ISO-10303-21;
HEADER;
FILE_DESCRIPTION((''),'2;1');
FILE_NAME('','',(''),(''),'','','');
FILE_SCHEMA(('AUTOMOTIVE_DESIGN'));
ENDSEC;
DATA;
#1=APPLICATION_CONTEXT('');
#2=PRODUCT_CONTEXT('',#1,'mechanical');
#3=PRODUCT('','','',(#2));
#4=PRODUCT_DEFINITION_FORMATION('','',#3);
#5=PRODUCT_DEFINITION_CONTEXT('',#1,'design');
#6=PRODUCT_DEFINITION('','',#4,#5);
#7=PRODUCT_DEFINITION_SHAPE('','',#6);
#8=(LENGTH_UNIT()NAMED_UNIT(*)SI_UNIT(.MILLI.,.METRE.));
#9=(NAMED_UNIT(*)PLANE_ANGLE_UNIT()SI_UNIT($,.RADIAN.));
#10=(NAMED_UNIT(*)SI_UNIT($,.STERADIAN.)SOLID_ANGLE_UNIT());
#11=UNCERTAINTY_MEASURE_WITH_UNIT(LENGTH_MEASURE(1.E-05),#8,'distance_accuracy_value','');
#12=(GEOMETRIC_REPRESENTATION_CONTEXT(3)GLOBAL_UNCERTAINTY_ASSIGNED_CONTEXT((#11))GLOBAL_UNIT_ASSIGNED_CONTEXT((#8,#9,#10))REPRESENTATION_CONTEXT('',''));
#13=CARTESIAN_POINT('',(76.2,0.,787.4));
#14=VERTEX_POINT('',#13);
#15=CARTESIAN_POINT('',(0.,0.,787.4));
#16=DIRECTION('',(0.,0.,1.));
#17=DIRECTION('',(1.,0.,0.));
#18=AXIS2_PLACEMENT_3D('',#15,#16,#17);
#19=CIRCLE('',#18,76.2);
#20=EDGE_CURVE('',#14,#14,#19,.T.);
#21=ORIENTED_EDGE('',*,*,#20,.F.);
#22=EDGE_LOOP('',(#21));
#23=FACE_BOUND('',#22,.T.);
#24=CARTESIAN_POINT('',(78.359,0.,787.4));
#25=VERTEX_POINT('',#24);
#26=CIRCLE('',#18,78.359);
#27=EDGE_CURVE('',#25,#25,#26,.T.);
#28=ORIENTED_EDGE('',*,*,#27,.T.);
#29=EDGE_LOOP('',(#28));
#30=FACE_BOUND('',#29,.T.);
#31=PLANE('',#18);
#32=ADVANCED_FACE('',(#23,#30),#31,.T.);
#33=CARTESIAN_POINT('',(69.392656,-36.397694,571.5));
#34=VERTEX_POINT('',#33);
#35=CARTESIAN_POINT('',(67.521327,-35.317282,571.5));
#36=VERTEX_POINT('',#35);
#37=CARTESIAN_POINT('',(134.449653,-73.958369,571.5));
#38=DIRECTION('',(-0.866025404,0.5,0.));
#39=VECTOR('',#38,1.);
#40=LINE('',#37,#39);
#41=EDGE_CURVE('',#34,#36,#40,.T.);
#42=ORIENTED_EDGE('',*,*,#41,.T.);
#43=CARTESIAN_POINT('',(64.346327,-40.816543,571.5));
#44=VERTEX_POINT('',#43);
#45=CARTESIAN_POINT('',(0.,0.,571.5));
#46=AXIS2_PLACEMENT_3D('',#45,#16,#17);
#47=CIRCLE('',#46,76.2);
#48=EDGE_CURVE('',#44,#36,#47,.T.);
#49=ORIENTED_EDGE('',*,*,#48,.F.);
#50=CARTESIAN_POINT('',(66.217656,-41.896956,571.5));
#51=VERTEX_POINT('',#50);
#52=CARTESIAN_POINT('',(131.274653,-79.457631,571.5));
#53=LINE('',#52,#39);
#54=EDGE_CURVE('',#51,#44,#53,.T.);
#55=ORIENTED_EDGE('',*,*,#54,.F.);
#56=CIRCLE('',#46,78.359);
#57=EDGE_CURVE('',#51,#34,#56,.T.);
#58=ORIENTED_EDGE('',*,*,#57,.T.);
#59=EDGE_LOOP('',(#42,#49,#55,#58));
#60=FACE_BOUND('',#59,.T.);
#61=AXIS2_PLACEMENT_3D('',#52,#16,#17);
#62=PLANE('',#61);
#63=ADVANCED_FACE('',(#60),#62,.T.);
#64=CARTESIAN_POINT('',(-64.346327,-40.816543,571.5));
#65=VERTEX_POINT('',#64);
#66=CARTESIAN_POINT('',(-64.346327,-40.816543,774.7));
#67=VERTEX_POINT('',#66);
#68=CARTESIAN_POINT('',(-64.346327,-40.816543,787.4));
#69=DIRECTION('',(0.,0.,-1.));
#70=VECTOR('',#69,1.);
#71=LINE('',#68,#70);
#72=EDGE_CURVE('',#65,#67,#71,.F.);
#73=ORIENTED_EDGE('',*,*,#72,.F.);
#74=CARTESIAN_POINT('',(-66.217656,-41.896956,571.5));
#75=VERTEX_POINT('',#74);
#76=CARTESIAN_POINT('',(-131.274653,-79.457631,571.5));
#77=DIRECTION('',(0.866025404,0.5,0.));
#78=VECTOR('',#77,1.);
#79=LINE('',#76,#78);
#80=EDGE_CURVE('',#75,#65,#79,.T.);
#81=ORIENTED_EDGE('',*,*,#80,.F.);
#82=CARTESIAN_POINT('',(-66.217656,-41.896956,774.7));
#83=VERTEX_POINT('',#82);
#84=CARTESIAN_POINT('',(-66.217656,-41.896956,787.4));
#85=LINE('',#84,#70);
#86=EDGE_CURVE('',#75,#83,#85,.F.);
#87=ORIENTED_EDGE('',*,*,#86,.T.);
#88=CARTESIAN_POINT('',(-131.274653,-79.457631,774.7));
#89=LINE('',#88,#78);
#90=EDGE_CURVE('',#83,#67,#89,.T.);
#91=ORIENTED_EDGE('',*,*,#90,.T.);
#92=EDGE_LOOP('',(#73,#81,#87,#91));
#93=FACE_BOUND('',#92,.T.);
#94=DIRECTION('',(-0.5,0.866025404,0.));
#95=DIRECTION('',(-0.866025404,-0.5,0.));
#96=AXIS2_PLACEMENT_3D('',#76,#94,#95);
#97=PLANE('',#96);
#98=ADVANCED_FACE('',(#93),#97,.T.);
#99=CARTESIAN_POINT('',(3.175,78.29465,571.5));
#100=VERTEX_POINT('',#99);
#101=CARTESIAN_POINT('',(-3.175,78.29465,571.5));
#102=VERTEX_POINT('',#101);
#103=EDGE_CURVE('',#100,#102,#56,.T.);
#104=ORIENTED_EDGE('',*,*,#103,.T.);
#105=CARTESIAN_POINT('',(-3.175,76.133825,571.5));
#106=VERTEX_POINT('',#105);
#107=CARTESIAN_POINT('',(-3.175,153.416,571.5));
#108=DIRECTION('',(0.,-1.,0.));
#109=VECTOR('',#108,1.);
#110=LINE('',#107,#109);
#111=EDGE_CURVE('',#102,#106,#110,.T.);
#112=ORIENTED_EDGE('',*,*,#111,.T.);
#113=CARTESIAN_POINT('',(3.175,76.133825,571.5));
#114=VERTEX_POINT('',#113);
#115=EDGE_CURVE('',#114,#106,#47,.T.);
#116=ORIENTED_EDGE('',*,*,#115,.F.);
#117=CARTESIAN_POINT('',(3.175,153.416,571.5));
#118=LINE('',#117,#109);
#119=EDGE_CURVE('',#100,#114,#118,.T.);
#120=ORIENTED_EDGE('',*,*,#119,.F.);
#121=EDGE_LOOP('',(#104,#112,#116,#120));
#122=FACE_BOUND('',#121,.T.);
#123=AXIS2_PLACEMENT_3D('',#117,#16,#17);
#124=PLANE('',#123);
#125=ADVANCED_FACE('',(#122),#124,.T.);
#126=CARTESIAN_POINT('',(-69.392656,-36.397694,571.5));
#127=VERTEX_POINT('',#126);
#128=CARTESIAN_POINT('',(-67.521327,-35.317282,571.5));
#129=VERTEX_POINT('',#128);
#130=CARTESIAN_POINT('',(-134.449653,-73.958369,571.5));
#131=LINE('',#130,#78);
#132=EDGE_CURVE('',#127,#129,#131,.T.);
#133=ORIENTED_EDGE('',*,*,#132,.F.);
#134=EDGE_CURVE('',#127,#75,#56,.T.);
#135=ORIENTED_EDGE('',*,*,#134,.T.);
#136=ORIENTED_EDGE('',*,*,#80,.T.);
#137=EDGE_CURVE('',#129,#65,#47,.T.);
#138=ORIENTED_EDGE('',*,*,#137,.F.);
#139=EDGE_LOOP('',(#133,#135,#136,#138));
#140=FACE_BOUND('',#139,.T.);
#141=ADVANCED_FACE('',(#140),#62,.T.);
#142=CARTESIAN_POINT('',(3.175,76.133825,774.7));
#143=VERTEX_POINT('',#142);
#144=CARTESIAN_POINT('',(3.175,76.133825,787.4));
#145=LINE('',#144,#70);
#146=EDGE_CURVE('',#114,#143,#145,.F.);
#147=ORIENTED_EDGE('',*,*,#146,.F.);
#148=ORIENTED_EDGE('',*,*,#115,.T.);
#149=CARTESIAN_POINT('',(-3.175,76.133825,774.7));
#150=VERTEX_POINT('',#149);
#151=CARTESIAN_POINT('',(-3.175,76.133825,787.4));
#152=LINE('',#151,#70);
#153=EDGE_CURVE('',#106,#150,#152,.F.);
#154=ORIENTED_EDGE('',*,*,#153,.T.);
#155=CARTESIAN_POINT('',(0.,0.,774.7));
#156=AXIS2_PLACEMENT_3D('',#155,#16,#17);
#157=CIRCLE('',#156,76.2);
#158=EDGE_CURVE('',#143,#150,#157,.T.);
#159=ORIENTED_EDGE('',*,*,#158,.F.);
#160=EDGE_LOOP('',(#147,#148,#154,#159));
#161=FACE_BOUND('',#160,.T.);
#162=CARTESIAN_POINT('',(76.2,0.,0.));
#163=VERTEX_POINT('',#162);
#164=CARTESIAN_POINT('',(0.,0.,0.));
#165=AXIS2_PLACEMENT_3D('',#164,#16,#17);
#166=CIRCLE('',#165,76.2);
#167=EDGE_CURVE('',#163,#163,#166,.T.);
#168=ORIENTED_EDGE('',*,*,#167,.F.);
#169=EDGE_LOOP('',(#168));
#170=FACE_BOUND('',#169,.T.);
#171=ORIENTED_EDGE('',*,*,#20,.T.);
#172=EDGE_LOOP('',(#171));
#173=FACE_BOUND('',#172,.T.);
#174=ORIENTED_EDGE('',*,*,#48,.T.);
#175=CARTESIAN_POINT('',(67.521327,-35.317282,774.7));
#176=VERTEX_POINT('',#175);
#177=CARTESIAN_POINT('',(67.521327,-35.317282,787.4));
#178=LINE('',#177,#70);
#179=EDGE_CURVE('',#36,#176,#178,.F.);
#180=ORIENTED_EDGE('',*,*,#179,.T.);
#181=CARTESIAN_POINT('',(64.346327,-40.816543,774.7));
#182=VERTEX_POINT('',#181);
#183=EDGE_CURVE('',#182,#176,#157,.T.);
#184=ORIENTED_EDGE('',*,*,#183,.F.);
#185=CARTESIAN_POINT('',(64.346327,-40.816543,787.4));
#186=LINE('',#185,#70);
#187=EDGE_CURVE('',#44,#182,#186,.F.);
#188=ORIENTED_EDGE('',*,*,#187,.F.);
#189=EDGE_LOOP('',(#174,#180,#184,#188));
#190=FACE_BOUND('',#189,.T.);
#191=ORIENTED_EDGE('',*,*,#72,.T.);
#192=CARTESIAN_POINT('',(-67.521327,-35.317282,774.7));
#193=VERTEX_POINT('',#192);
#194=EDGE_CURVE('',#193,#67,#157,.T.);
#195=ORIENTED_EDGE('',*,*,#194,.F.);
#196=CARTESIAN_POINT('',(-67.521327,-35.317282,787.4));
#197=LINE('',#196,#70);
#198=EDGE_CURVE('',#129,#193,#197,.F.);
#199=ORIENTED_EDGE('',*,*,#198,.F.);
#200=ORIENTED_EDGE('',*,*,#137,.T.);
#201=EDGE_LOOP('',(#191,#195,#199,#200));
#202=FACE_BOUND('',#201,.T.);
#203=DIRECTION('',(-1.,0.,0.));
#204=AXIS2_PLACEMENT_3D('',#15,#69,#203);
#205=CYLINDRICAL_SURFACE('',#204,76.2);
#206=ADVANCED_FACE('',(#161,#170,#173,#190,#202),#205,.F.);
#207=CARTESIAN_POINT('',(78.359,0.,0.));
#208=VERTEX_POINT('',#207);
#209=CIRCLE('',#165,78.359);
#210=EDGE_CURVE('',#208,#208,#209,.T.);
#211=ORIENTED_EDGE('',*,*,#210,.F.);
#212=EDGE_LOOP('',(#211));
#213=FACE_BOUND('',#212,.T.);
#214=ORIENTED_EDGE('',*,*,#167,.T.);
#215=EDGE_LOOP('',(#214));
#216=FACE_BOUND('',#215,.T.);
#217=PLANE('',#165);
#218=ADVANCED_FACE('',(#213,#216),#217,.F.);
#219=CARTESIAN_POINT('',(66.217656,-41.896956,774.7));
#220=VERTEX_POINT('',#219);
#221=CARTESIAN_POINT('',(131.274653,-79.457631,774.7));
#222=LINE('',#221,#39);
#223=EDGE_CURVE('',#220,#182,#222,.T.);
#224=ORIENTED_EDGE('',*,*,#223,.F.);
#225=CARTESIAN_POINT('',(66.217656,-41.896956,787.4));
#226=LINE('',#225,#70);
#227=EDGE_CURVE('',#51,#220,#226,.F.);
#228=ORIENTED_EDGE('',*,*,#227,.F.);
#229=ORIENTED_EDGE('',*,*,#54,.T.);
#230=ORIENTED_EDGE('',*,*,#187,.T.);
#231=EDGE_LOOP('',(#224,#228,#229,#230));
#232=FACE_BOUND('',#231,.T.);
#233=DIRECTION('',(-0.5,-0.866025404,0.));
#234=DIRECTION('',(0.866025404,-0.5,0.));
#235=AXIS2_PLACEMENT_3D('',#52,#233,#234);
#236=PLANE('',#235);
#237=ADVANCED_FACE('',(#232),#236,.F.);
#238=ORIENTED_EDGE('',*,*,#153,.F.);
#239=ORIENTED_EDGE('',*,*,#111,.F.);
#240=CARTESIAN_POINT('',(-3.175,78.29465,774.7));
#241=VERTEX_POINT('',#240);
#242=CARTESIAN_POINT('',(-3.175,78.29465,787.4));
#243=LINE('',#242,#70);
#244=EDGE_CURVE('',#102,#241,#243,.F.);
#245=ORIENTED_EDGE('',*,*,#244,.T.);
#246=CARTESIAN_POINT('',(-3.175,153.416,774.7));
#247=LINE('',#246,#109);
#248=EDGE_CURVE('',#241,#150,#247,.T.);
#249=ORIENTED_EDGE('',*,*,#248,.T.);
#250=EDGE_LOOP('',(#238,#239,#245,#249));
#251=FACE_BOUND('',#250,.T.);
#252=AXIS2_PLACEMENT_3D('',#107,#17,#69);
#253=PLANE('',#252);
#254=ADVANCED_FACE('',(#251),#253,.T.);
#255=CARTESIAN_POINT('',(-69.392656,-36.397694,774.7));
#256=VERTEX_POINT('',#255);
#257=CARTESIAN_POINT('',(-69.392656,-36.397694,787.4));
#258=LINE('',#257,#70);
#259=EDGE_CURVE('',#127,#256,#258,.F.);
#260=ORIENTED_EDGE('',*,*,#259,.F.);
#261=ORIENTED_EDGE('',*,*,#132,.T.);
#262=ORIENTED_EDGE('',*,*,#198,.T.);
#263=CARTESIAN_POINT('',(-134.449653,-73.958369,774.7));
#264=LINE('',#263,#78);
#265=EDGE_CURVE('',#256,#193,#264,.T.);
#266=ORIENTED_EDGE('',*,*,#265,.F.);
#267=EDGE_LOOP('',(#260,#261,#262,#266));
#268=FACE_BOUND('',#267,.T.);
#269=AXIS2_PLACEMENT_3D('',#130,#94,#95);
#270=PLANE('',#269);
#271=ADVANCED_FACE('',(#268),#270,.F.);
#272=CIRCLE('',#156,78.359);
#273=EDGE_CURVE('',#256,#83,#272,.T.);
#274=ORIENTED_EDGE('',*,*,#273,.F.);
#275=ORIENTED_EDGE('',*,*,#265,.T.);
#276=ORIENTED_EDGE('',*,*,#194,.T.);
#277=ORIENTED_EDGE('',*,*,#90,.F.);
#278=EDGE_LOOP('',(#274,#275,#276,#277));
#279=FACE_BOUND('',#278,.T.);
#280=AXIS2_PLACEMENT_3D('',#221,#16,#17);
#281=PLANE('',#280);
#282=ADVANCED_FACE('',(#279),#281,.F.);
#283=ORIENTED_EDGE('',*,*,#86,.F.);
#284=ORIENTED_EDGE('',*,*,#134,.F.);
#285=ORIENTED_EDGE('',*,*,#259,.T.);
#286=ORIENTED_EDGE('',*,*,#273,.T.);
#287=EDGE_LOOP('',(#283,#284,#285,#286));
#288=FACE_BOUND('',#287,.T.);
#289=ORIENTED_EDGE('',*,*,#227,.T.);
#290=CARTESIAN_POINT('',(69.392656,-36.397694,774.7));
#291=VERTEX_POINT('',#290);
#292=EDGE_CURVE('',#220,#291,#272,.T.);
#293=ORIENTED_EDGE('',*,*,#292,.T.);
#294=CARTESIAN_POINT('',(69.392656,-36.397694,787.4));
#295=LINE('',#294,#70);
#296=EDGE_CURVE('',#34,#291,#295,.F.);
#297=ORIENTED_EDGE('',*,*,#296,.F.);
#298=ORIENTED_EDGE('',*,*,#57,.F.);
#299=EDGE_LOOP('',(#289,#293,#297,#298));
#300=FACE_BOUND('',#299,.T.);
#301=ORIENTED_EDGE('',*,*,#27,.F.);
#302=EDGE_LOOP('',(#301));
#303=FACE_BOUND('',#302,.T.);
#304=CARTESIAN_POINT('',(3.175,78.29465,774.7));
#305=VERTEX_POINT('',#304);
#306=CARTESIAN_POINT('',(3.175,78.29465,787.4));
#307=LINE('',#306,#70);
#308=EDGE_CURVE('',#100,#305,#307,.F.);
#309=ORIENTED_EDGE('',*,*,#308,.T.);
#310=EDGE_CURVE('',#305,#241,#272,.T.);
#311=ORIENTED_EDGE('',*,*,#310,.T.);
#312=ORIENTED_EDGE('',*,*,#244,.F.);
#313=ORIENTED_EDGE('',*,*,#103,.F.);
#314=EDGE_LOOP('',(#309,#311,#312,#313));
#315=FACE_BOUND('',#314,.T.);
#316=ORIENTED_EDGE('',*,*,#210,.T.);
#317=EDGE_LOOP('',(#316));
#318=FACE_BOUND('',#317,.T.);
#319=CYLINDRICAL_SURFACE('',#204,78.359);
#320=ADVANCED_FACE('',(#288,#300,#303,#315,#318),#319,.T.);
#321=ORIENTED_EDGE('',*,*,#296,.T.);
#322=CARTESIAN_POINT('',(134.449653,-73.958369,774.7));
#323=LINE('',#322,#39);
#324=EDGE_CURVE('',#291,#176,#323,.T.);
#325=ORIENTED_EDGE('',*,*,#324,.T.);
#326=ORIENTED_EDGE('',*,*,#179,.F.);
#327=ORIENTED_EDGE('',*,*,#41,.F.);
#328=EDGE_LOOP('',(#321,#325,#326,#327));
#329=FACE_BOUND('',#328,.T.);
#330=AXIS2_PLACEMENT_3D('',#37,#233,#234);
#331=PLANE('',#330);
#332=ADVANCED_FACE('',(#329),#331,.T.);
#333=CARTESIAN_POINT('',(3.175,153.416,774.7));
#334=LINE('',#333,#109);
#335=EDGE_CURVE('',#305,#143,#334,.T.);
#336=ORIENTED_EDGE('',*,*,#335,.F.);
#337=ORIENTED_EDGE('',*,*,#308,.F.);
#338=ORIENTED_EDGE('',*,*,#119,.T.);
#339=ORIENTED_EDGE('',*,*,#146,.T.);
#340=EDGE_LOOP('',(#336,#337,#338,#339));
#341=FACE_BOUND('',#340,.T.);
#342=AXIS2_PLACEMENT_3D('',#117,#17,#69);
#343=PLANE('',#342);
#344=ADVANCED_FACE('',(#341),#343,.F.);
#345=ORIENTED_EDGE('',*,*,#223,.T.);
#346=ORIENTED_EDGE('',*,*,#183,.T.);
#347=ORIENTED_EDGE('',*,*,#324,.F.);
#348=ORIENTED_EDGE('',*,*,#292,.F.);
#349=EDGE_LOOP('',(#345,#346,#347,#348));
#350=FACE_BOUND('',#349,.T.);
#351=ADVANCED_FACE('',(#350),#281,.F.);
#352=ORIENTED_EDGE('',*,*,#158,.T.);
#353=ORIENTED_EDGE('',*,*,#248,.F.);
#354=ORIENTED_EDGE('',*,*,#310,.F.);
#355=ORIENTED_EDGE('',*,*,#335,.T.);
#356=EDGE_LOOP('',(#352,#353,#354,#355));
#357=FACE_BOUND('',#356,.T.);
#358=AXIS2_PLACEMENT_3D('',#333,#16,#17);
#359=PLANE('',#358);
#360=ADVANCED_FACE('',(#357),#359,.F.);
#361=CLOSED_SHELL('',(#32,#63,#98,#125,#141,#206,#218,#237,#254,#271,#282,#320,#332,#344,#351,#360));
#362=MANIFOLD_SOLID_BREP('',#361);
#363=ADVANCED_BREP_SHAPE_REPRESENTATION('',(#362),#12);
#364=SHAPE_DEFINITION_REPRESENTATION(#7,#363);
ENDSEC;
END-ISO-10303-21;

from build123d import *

# Parameters (mm, degrees)
ESQUISSE2_R                  = 78.359
ESQUISSE2_R_2                = 76.2
BOSS_EXTRU_1_DEPTH           = 787.4
ESQUISSE3_W                  = 6.35
ESQUISSE3_H                  = 203.2
ENL_V_MAT_EXTRU_1_DEPTH      = 153.416
R_P_TITION_CIRCULAIRE1_COUNT = 3


with BuildPart() as part:
    # Esquisse2 → Boss.-Extru.1 (new body)
    with BuildSketch(Plane.XY):
        Circle(ESQUISSE2_R)
        Circle(ESQUISSE2_R_2, mode=Mode.SUBTRACT)
    extrude(amount=BOSS_EXTRU_1_DEPTH)

    # Esquisse3 → Enlèv. mat.-Extru.1 (cut)
    with BuildSketch(Plane(origin=(0, 0, 0), x_dir=(1, 0, 0), z_dir=(0, 1, 0))):
        with Locations((0, -673.1)):
            Rectangle(ESQUISSE3_W, ESQUISSE3_H)
    enl_v_mat_extru_1 = extrude(amount=ENL_V_MAT_EXTRU_1_DEPTH, mode=Mode.SUBTRACT)

    # Répétition circulaire1: Enlèv. mat.-Extru.1 ×3 about axis
    r_p_tition_circulaire1_axis = Axis((0, 0, 0), (0, 0, 1))
    for i in range(1, R_P_TITION_CIRCULAIRE1_COUNT):
        add(enl_v_mat_extru_1.rotate(r_p_tition_circulaire1_axis, i * 360 / R_P_TITION_CIRCULAIRE1_COUNT), mode=Mode.SUBTRACT)


solid = part.part
